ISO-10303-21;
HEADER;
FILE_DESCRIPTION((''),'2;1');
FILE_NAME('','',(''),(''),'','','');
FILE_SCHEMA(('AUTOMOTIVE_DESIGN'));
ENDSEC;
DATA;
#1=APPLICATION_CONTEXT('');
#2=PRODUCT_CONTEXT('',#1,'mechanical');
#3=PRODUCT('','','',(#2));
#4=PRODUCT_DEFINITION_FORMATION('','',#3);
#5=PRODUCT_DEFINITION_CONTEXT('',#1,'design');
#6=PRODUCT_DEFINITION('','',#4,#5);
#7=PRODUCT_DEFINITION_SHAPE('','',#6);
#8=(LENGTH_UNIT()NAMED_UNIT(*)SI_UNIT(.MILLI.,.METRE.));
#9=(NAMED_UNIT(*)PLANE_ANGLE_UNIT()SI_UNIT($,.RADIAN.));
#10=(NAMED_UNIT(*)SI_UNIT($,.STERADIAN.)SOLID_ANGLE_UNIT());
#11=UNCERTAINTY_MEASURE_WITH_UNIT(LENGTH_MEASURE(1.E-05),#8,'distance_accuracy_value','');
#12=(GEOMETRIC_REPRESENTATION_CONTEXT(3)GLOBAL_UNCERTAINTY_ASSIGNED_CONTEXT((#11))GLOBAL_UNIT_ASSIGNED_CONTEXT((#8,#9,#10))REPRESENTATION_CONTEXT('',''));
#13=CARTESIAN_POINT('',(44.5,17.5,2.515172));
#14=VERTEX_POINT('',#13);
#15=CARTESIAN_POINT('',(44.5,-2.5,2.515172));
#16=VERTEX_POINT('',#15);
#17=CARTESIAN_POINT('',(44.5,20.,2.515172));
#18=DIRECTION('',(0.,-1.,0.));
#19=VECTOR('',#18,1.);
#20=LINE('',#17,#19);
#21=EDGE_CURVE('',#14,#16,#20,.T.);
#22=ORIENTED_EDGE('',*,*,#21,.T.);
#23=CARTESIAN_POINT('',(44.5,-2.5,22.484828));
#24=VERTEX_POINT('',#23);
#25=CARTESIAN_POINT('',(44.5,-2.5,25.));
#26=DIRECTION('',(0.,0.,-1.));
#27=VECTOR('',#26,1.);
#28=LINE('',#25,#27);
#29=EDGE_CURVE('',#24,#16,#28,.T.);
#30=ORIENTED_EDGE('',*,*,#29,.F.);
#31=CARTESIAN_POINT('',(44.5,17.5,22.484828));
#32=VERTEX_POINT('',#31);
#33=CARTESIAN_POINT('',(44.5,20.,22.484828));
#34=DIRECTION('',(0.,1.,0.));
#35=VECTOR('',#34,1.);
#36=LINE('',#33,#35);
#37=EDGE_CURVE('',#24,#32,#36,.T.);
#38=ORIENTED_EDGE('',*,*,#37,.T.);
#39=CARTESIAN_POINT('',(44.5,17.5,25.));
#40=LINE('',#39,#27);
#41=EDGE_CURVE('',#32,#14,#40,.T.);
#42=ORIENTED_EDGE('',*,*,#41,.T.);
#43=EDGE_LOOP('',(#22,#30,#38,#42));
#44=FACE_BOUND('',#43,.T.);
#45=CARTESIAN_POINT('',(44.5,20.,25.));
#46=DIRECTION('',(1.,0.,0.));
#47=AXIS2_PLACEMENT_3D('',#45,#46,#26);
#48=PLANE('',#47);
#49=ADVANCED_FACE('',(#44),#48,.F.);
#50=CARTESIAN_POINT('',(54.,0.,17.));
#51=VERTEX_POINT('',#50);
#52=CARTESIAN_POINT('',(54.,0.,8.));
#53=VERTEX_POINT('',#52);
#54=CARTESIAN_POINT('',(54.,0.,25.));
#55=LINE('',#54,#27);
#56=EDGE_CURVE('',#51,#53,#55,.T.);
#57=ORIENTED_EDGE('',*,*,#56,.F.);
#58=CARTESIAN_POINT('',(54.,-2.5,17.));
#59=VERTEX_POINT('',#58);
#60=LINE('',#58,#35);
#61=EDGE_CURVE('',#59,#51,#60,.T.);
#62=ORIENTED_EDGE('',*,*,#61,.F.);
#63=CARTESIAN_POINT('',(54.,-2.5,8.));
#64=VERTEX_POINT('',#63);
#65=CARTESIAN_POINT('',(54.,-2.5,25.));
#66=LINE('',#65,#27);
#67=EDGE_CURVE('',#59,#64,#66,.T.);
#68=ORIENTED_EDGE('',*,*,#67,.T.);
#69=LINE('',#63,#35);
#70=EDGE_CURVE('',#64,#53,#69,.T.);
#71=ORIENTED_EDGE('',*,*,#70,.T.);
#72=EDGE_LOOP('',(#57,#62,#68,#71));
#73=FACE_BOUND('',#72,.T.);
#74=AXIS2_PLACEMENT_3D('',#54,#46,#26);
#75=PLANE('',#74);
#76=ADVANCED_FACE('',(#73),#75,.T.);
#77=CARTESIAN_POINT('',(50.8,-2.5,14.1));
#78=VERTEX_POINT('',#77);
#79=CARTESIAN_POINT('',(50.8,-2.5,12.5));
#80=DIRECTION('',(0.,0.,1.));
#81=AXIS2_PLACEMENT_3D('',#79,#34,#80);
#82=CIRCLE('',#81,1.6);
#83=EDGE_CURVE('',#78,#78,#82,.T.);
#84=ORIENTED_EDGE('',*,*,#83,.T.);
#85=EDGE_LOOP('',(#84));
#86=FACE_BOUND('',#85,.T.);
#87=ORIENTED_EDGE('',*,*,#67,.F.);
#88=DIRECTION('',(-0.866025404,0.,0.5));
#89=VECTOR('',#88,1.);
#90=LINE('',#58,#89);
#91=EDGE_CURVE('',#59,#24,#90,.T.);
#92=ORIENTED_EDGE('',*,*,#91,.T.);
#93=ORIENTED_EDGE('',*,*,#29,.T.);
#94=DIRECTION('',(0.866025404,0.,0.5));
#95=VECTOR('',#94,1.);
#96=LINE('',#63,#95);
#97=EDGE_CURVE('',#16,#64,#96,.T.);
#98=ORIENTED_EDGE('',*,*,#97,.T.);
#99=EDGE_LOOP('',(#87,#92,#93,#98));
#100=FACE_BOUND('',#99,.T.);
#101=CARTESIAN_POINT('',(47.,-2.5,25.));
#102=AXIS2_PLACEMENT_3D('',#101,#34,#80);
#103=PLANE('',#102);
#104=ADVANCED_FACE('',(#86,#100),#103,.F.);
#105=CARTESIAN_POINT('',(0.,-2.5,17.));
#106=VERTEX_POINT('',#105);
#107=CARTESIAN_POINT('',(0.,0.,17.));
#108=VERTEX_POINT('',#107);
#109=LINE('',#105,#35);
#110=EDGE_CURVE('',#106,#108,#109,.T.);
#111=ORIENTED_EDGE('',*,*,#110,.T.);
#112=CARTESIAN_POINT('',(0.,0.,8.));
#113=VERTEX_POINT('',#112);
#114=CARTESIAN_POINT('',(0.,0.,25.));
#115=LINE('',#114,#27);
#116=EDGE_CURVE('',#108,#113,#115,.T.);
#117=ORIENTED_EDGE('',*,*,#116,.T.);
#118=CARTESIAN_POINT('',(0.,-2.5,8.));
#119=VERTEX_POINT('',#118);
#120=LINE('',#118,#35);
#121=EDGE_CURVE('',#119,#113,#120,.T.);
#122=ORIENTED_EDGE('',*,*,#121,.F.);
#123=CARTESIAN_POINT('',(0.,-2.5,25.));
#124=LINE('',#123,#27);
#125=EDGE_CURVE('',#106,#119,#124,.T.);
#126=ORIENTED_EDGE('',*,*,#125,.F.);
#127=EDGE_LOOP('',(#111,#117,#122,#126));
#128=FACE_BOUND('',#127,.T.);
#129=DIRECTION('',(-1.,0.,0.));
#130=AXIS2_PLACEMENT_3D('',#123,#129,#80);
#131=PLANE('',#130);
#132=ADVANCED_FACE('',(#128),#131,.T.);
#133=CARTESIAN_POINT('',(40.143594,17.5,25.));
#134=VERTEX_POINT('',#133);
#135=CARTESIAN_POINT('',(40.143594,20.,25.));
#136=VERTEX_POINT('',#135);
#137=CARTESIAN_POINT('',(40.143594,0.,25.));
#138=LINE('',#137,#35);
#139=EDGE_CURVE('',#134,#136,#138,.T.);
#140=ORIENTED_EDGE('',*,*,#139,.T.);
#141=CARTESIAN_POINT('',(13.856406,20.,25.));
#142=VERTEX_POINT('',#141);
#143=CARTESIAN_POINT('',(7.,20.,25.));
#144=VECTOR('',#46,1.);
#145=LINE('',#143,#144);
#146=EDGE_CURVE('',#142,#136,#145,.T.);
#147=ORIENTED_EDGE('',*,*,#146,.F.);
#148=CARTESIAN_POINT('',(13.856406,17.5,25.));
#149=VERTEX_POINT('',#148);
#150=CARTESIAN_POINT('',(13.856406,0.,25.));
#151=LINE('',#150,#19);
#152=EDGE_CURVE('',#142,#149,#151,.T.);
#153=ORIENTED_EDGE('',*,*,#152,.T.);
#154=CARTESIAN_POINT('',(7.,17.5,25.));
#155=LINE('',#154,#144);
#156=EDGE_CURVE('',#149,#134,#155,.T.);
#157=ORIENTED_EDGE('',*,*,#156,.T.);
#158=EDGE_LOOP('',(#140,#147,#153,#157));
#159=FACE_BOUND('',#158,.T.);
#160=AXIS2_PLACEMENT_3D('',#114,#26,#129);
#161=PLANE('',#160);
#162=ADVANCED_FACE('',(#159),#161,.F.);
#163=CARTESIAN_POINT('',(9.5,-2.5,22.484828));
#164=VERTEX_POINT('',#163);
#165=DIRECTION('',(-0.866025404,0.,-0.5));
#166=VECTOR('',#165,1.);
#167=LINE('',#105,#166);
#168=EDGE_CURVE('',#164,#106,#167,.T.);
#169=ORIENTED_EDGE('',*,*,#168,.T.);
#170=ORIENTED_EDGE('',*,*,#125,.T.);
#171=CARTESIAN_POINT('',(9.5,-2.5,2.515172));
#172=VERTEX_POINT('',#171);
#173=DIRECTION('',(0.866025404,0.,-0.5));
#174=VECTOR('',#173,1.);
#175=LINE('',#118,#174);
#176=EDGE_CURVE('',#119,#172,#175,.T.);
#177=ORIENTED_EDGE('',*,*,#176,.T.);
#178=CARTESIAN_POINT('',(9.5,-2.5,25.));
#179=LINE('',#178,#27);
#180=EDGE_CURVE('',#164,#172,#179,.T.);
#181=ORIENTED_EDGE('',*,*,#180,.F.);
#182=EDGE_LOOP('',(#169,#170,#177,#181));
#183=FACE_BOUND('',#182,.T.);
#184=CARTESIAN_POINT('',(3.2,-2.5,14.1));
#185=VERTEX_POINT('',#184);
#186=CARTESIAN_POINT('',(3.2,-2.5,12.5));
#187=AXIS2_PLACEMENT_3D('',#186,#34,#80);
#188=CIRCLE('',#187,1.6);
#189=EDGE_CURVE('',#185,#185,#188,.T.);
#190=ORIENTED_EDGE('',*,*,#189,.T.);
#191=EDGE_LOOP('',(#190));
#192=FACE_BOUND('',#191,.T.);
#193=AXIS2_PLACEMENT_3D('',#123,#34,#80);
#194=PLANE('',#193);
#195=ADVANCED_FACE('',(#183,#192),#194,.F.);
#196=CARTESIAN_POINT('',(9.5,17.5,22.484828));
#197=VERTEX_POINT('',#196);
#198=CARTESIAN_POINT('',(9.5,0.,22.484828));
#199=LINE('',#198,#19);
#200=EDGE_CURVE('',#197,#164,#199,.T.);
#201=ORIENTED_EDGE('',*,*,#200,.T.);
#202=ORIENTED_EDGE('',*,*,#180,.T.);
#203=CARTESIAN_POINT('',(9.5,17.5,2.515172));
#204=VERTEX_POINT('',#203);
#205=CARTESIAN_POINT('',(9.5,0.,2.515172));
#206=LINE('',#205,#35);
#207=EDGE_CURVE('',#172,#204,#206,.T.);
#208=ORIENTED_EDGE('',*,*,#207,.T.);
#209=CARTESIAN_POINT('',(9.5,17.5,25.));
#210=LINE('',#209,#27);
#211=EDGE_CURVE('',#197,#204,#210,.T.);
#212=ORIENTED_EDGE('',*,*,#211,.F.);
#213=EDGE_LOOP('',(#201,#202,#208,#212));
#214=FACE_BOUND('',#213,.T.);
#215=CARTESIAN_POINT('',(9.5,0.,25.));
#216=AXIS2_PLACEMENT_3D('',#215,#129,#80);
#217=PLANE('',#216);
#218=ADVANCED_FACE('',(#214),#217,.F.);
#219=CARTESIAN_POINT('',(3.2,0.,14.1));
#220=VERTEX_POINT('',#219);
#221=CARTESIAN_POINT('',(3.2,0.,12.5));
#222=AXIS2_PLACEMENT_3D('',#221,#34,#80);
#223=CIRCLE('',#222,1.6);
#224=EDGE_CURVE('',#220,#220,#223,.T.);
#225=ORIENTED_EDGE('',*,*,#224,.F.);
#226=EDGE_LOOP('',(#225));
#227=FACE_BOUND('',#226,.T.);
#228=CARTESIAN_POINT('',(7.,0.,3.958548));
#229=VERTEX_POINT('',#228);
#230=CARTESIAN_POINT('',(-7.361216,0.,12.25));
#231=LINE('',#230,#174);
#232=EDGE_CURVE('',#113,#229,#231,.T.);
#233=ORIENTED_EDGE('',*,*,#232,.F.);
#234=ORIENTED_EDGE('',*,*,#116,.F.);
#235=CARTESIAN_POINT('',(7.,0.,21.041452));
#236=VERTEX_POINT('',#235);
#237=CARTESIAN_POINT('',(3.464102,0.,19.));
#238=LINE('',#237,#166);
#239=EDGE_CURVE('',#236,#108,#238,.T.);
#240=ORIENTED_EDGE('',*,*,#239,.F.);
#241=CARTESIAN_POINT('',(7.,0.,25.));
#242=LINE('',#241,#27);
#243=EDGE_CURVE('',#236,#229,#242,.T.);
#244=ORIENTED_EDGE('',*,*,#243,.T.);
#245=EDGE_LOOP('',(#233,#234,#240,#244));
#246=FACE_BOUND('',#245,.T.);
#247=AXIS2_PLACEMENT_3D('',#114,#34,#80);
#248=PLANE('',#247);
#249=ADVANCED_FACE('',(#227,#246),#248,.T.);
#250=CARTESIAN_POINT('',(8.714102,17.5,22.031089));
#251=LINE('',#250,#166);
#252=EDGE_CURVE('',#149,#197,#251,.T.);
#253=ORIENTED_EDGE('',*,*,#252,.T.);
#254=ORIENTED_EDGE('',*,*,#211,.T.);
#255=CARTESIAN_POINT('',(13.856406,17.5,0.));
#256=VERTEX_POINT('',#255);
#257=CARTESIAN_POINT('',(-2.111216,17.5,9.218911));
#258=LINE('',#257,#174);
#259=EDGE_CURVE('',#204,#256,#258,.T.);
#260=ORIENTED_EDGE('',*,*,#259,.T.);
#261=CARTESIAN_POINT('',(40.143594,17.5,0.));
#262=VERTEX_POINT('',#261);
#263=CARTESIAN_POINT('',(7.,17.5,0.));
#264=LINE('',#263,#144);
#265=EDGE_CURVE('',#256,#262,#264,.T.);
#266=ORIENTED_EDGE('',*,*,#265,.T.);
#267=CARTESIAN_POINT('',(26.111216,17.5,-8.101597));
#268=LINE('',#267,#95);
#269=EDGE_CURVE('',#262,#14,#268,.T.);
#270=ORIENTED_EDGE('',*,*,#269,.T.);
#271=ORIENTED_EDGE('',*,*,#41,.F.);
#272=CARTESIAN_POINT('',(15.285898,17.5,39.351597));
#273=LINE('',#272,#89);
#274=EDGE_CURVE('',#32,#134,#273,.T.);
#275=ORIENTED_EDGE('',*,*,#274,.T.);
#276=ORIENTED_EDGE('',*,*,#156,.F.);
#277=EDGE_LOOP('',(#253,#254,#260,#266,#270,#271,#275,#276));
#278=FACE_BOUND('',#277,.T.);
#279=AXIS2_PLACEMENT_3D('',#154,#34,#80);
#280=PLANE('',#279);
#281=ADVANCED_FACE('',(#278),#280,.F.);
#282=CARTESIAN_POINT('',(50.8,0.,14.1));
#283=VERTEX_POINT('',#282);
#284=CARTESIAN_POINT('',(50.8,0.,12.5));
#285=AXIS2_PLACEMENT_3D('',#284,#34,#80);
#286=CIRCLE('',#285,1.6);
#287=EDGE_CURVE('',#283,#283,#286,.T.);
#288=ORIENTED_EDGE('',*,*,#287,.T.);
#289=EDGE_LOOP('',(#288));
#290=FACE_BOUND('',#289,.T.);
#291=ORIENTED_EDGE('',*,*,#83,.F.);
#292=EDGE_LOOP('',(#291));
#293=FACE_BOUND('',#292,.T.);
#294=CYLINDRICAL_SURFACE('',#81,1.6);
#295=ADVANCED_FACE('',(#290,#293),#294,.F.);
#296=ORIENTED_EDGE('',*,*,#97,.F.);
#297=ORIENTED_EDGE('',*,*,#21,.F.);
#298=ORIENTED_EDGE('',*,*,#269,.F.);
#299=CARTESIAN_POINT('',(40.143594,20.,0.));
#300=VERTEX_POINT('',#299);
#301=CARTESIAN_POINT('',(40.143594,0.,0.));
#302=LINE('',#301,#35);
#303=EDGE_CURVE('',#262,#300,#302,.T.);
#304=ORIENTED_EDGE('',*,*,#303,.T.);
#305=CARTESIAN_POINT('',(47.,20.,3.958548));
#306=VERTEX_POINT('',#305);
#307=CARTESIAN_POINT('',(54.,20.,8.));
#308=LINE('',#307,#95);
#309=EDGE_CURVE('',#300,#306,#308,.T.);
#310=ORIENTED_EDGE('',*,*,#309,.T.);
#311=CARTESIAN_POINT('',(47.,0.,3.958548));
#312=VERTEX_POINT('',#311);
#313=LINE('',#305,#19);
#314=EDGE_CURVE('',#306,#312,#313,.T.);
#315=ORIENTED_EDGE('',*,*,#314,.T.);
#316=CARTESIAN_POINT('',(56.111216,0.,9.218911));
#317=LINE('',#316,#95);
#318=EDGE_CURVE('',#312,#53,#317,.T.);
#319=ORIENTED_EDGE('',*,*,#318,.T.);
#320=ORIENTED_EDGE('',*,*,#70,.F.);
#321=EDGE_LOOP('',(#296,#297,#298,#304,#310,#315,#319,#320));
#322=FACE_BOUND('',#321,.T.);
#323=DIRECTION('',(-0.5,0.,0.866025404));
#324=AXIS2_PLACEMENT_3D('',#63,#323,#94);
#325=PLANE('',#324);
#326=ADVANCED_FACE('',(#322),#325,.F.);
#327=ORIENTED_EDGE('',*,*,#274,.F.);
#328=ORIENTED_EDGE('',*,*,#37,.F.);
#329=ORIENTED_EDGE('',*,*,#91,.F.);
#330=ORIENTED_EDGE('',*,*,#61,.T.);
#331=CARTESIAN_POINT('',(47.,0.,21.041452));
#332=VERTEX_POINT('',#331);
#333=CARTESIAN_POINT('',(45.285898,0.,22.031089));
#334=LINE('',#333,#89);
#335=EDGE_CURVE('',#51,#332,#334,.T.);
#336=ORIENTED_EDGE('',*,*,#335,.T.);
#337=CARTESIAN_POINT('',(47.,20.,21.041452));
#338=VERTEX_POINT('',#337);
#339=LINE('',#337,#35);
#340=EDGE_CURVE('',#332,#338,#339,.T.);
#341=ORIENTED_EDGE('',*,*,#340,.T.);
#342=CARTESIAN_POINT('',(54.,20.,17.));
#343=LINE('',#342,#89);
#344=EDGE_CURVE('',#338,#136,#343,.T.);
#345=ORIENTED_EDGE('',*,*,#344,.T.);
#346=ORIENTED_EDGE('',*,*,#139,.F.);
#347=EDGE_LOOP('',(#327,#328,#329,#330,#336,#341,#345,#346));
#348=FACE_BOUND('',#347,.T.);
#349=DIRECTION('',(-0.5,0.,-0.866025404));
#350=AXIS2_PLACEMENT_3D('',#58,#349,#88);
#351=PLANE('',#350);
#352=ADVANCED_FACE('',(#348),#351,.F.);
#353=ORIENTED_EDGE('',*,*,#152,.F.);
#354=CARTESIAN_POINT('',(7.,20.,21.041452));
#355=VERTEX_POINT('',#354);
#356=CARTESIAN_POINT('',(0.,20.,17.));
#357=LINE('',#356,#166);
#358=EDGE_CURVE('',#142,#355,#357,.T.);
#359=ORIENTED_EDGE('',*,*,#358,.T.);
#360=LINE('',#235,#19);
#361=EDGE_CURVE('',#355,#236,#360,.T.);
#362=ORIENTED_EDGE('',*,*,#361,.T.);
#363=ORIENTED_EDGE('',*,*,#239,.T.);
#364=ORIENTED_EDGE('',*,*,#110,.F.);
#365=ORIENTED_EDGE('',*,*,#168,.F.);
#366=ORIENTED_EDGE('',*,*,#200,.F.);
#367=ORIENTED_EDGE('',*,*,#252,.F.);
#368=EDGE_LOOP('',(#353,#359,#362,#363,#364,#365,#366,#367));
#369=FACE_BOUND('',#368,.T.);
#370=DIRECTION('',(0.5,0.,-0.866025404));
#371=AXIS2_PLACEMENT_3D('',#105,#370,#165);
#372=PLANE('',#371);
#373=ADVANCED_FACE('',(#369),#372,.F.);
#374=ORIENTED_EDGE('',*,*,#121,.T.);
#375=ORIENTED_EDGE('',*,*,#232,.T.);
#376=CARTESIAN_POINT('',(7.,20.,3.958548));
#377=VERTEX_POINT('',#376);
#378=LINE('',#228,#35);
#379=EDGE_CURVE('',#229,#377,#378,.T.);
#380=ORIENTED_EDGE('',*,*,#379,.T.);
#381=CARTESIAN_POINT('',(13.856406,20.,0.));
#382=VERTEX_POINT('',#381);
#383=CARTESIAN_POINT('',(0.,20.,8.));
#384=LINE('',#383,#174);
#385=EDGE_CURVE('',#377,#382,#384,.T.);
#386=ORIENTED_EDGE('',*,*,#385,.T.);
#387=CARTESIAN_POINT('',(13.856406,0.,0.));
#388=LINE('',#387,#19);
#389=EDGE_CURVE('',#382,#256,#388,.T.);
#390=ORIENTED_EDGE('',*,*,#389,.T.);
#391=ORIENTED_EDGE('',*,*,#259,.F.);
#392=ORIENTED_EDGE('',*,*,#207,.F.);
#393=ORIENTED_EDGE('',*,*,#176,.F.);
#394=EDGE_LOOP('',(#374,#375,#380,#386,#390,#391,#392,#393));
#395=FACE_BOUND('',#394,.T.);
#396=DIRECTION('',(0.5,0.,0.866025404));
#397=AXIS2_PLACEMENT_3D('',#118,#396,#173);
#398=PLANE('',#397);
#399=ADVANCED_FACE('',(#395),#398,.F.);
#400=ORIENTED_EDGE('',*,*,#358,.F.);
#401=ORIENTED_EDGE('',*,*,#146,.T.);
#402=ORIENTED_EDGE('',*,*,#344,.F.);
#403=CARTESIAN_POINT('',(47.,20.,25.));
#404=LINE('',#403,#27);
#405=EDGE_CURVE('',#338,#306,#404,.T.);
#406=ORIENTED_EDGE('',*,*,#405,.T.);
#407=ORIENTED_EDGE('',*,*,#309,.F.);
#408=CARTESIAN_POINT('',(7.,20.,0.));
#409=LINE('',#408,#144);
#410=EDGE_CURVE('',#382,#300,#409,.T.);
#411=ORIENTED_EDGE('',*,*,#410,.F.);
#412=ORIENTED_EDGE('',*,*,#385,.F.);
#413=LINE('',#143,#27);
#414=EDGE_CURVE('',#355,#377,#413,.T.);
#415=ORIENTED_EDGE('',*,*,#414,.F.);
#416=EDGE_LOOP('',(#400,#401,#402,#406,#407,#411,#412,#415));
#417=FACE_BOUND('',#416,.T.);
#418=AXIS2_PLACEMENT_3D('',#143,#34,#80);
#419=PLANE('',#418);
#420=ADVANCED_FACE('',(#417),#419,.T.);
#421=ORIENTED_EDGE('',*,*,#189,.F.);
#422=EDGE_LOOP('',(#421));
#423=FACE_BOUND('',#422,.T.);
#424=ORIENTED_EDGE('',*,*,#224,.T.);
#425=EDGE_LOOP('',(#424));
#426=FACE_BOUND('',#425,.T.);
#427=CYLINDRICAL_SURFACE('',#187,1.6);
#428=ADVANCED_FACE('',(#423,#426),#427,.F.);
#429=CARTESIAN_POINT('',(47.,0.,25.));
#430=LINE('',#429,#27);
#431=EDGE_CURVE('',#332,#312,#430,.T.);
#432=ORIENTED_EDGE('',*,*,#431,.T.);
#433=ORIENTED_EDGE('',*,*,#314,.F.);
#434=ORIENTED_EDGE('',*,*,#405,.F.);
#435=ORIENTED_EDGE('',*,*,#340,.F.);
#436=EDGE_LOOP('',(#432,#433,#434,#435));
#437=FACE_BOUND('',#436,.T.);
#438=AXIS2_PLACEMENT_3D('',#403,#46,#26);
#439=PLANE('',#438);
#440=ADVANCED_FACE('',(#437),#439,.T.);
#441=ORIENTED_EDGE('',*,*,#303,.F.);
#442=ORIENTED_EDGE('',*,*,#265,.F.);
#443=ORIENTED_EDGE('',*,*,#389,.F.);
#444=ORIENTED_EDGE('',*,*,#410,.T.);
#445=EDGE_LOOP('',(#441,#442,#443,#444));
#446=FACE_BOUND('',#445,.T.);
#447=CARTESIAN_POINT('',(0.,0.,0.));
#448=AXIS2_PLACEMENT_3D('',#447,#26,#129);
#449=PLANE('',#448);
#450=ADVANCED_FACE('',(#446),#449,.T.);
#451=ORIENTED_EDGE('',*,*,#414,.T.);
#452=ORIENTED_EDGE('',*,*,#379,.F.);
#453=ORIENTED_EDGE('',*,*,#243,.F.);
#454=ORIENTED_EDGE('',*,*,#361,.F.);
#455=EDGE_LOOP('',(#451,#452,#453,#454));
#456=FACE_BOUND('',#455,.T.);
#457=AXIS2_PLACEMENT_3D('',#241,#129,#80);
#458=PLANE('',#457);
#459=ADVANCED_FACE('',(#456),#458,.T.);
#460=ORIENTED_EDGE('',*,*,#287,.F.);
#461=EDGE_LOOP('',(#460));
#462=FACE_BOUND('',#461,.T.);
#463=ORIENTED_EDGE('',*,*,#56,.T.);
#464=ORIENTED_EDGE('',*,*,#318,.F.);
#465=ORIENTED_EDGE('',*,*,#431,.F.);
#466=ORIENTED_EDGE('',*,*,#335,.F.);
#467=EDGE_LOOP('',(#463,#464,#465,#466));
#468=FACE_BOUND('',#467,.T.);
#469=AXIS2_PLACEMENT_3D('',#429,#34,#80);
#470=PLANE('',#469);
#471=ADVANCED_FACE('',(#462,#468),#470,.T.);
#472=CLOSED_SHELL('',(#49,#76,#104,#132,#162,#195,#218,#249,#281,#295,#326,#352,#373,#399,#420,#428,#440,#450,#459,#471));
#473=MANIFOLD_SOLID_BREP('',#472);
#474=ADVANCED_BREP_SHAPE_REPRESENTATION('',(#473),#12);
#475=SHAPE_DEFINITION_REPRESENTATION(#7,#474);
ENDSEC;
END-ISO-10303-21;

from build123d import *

# Parameters (mm, degrees)
EXTRUDE_THIN1_DEPTH = 25
CUT_EXTRUDE1_DEPTH  = 64.618000597
SKETCH3_R           = 1.6
CUT_EXTRUDE2_DEPTH  = 63.777384463


with BuildPart() as part:
    # Sketch1 → Extrude-Thin1 (new body)
    with BuildSketch(Plane.XY):
        Polygon((0, 0), (7, 0), (7, 20), (47, 20), (47, 0), (54, 0), (54, -2.5), (44.5, -2.5), (44.5, 17.5), (9.5, 17.5), (9.5, -2.5), (0, -2.5), align=None)
    extrude(amount=EXTRUDE_THIN1_DEPTH)

    # Sketch2 → Cut-Extrude1 (cut, through all)
    with BuildSketch(Plane(origin=(0, 20, 0), x_dir=(1, 0, 0), z_dir=(0, 1, 0))):
        Polygon((0, -8), (13.856406461, 0), (7, 0), (0, 0), align=None)
        Polygon((0, -17), (13.856406461, -25), (7, -25), (0, -25), align=None)
        Polygon((54, -17), (40.143593539, -25), (47, -25), (54, -25), align=None)
        Polygon((54, -8), (40.143593539, 0), (47, 0), (54, 0), align=None)
    extrude(amount=-CUT_EXTRUDE1_DEPTH, mode=Mode.SUBTRACT)

    # Sketch3 → Cut-Extrude2 (cut, through all)
    with BuildSketch(Plane(origin=(0, 0, 0), x_dir=(1, 0, 0), z_dir=(0, 1, 0))):
        with Locations(Location((50.8, -12.5, 0), (0, 0, 270))):
            Circle(SKETCH3_R)
        with Locations(Location((3.2, -12.5, 0), (0, 0, 270))):
            Circle(SKETCH3_R)
    extrude(amount=-CUT_EXTRUDE2_DEPTH, mode=Mode.SUBTRACT)


solid = part.part
